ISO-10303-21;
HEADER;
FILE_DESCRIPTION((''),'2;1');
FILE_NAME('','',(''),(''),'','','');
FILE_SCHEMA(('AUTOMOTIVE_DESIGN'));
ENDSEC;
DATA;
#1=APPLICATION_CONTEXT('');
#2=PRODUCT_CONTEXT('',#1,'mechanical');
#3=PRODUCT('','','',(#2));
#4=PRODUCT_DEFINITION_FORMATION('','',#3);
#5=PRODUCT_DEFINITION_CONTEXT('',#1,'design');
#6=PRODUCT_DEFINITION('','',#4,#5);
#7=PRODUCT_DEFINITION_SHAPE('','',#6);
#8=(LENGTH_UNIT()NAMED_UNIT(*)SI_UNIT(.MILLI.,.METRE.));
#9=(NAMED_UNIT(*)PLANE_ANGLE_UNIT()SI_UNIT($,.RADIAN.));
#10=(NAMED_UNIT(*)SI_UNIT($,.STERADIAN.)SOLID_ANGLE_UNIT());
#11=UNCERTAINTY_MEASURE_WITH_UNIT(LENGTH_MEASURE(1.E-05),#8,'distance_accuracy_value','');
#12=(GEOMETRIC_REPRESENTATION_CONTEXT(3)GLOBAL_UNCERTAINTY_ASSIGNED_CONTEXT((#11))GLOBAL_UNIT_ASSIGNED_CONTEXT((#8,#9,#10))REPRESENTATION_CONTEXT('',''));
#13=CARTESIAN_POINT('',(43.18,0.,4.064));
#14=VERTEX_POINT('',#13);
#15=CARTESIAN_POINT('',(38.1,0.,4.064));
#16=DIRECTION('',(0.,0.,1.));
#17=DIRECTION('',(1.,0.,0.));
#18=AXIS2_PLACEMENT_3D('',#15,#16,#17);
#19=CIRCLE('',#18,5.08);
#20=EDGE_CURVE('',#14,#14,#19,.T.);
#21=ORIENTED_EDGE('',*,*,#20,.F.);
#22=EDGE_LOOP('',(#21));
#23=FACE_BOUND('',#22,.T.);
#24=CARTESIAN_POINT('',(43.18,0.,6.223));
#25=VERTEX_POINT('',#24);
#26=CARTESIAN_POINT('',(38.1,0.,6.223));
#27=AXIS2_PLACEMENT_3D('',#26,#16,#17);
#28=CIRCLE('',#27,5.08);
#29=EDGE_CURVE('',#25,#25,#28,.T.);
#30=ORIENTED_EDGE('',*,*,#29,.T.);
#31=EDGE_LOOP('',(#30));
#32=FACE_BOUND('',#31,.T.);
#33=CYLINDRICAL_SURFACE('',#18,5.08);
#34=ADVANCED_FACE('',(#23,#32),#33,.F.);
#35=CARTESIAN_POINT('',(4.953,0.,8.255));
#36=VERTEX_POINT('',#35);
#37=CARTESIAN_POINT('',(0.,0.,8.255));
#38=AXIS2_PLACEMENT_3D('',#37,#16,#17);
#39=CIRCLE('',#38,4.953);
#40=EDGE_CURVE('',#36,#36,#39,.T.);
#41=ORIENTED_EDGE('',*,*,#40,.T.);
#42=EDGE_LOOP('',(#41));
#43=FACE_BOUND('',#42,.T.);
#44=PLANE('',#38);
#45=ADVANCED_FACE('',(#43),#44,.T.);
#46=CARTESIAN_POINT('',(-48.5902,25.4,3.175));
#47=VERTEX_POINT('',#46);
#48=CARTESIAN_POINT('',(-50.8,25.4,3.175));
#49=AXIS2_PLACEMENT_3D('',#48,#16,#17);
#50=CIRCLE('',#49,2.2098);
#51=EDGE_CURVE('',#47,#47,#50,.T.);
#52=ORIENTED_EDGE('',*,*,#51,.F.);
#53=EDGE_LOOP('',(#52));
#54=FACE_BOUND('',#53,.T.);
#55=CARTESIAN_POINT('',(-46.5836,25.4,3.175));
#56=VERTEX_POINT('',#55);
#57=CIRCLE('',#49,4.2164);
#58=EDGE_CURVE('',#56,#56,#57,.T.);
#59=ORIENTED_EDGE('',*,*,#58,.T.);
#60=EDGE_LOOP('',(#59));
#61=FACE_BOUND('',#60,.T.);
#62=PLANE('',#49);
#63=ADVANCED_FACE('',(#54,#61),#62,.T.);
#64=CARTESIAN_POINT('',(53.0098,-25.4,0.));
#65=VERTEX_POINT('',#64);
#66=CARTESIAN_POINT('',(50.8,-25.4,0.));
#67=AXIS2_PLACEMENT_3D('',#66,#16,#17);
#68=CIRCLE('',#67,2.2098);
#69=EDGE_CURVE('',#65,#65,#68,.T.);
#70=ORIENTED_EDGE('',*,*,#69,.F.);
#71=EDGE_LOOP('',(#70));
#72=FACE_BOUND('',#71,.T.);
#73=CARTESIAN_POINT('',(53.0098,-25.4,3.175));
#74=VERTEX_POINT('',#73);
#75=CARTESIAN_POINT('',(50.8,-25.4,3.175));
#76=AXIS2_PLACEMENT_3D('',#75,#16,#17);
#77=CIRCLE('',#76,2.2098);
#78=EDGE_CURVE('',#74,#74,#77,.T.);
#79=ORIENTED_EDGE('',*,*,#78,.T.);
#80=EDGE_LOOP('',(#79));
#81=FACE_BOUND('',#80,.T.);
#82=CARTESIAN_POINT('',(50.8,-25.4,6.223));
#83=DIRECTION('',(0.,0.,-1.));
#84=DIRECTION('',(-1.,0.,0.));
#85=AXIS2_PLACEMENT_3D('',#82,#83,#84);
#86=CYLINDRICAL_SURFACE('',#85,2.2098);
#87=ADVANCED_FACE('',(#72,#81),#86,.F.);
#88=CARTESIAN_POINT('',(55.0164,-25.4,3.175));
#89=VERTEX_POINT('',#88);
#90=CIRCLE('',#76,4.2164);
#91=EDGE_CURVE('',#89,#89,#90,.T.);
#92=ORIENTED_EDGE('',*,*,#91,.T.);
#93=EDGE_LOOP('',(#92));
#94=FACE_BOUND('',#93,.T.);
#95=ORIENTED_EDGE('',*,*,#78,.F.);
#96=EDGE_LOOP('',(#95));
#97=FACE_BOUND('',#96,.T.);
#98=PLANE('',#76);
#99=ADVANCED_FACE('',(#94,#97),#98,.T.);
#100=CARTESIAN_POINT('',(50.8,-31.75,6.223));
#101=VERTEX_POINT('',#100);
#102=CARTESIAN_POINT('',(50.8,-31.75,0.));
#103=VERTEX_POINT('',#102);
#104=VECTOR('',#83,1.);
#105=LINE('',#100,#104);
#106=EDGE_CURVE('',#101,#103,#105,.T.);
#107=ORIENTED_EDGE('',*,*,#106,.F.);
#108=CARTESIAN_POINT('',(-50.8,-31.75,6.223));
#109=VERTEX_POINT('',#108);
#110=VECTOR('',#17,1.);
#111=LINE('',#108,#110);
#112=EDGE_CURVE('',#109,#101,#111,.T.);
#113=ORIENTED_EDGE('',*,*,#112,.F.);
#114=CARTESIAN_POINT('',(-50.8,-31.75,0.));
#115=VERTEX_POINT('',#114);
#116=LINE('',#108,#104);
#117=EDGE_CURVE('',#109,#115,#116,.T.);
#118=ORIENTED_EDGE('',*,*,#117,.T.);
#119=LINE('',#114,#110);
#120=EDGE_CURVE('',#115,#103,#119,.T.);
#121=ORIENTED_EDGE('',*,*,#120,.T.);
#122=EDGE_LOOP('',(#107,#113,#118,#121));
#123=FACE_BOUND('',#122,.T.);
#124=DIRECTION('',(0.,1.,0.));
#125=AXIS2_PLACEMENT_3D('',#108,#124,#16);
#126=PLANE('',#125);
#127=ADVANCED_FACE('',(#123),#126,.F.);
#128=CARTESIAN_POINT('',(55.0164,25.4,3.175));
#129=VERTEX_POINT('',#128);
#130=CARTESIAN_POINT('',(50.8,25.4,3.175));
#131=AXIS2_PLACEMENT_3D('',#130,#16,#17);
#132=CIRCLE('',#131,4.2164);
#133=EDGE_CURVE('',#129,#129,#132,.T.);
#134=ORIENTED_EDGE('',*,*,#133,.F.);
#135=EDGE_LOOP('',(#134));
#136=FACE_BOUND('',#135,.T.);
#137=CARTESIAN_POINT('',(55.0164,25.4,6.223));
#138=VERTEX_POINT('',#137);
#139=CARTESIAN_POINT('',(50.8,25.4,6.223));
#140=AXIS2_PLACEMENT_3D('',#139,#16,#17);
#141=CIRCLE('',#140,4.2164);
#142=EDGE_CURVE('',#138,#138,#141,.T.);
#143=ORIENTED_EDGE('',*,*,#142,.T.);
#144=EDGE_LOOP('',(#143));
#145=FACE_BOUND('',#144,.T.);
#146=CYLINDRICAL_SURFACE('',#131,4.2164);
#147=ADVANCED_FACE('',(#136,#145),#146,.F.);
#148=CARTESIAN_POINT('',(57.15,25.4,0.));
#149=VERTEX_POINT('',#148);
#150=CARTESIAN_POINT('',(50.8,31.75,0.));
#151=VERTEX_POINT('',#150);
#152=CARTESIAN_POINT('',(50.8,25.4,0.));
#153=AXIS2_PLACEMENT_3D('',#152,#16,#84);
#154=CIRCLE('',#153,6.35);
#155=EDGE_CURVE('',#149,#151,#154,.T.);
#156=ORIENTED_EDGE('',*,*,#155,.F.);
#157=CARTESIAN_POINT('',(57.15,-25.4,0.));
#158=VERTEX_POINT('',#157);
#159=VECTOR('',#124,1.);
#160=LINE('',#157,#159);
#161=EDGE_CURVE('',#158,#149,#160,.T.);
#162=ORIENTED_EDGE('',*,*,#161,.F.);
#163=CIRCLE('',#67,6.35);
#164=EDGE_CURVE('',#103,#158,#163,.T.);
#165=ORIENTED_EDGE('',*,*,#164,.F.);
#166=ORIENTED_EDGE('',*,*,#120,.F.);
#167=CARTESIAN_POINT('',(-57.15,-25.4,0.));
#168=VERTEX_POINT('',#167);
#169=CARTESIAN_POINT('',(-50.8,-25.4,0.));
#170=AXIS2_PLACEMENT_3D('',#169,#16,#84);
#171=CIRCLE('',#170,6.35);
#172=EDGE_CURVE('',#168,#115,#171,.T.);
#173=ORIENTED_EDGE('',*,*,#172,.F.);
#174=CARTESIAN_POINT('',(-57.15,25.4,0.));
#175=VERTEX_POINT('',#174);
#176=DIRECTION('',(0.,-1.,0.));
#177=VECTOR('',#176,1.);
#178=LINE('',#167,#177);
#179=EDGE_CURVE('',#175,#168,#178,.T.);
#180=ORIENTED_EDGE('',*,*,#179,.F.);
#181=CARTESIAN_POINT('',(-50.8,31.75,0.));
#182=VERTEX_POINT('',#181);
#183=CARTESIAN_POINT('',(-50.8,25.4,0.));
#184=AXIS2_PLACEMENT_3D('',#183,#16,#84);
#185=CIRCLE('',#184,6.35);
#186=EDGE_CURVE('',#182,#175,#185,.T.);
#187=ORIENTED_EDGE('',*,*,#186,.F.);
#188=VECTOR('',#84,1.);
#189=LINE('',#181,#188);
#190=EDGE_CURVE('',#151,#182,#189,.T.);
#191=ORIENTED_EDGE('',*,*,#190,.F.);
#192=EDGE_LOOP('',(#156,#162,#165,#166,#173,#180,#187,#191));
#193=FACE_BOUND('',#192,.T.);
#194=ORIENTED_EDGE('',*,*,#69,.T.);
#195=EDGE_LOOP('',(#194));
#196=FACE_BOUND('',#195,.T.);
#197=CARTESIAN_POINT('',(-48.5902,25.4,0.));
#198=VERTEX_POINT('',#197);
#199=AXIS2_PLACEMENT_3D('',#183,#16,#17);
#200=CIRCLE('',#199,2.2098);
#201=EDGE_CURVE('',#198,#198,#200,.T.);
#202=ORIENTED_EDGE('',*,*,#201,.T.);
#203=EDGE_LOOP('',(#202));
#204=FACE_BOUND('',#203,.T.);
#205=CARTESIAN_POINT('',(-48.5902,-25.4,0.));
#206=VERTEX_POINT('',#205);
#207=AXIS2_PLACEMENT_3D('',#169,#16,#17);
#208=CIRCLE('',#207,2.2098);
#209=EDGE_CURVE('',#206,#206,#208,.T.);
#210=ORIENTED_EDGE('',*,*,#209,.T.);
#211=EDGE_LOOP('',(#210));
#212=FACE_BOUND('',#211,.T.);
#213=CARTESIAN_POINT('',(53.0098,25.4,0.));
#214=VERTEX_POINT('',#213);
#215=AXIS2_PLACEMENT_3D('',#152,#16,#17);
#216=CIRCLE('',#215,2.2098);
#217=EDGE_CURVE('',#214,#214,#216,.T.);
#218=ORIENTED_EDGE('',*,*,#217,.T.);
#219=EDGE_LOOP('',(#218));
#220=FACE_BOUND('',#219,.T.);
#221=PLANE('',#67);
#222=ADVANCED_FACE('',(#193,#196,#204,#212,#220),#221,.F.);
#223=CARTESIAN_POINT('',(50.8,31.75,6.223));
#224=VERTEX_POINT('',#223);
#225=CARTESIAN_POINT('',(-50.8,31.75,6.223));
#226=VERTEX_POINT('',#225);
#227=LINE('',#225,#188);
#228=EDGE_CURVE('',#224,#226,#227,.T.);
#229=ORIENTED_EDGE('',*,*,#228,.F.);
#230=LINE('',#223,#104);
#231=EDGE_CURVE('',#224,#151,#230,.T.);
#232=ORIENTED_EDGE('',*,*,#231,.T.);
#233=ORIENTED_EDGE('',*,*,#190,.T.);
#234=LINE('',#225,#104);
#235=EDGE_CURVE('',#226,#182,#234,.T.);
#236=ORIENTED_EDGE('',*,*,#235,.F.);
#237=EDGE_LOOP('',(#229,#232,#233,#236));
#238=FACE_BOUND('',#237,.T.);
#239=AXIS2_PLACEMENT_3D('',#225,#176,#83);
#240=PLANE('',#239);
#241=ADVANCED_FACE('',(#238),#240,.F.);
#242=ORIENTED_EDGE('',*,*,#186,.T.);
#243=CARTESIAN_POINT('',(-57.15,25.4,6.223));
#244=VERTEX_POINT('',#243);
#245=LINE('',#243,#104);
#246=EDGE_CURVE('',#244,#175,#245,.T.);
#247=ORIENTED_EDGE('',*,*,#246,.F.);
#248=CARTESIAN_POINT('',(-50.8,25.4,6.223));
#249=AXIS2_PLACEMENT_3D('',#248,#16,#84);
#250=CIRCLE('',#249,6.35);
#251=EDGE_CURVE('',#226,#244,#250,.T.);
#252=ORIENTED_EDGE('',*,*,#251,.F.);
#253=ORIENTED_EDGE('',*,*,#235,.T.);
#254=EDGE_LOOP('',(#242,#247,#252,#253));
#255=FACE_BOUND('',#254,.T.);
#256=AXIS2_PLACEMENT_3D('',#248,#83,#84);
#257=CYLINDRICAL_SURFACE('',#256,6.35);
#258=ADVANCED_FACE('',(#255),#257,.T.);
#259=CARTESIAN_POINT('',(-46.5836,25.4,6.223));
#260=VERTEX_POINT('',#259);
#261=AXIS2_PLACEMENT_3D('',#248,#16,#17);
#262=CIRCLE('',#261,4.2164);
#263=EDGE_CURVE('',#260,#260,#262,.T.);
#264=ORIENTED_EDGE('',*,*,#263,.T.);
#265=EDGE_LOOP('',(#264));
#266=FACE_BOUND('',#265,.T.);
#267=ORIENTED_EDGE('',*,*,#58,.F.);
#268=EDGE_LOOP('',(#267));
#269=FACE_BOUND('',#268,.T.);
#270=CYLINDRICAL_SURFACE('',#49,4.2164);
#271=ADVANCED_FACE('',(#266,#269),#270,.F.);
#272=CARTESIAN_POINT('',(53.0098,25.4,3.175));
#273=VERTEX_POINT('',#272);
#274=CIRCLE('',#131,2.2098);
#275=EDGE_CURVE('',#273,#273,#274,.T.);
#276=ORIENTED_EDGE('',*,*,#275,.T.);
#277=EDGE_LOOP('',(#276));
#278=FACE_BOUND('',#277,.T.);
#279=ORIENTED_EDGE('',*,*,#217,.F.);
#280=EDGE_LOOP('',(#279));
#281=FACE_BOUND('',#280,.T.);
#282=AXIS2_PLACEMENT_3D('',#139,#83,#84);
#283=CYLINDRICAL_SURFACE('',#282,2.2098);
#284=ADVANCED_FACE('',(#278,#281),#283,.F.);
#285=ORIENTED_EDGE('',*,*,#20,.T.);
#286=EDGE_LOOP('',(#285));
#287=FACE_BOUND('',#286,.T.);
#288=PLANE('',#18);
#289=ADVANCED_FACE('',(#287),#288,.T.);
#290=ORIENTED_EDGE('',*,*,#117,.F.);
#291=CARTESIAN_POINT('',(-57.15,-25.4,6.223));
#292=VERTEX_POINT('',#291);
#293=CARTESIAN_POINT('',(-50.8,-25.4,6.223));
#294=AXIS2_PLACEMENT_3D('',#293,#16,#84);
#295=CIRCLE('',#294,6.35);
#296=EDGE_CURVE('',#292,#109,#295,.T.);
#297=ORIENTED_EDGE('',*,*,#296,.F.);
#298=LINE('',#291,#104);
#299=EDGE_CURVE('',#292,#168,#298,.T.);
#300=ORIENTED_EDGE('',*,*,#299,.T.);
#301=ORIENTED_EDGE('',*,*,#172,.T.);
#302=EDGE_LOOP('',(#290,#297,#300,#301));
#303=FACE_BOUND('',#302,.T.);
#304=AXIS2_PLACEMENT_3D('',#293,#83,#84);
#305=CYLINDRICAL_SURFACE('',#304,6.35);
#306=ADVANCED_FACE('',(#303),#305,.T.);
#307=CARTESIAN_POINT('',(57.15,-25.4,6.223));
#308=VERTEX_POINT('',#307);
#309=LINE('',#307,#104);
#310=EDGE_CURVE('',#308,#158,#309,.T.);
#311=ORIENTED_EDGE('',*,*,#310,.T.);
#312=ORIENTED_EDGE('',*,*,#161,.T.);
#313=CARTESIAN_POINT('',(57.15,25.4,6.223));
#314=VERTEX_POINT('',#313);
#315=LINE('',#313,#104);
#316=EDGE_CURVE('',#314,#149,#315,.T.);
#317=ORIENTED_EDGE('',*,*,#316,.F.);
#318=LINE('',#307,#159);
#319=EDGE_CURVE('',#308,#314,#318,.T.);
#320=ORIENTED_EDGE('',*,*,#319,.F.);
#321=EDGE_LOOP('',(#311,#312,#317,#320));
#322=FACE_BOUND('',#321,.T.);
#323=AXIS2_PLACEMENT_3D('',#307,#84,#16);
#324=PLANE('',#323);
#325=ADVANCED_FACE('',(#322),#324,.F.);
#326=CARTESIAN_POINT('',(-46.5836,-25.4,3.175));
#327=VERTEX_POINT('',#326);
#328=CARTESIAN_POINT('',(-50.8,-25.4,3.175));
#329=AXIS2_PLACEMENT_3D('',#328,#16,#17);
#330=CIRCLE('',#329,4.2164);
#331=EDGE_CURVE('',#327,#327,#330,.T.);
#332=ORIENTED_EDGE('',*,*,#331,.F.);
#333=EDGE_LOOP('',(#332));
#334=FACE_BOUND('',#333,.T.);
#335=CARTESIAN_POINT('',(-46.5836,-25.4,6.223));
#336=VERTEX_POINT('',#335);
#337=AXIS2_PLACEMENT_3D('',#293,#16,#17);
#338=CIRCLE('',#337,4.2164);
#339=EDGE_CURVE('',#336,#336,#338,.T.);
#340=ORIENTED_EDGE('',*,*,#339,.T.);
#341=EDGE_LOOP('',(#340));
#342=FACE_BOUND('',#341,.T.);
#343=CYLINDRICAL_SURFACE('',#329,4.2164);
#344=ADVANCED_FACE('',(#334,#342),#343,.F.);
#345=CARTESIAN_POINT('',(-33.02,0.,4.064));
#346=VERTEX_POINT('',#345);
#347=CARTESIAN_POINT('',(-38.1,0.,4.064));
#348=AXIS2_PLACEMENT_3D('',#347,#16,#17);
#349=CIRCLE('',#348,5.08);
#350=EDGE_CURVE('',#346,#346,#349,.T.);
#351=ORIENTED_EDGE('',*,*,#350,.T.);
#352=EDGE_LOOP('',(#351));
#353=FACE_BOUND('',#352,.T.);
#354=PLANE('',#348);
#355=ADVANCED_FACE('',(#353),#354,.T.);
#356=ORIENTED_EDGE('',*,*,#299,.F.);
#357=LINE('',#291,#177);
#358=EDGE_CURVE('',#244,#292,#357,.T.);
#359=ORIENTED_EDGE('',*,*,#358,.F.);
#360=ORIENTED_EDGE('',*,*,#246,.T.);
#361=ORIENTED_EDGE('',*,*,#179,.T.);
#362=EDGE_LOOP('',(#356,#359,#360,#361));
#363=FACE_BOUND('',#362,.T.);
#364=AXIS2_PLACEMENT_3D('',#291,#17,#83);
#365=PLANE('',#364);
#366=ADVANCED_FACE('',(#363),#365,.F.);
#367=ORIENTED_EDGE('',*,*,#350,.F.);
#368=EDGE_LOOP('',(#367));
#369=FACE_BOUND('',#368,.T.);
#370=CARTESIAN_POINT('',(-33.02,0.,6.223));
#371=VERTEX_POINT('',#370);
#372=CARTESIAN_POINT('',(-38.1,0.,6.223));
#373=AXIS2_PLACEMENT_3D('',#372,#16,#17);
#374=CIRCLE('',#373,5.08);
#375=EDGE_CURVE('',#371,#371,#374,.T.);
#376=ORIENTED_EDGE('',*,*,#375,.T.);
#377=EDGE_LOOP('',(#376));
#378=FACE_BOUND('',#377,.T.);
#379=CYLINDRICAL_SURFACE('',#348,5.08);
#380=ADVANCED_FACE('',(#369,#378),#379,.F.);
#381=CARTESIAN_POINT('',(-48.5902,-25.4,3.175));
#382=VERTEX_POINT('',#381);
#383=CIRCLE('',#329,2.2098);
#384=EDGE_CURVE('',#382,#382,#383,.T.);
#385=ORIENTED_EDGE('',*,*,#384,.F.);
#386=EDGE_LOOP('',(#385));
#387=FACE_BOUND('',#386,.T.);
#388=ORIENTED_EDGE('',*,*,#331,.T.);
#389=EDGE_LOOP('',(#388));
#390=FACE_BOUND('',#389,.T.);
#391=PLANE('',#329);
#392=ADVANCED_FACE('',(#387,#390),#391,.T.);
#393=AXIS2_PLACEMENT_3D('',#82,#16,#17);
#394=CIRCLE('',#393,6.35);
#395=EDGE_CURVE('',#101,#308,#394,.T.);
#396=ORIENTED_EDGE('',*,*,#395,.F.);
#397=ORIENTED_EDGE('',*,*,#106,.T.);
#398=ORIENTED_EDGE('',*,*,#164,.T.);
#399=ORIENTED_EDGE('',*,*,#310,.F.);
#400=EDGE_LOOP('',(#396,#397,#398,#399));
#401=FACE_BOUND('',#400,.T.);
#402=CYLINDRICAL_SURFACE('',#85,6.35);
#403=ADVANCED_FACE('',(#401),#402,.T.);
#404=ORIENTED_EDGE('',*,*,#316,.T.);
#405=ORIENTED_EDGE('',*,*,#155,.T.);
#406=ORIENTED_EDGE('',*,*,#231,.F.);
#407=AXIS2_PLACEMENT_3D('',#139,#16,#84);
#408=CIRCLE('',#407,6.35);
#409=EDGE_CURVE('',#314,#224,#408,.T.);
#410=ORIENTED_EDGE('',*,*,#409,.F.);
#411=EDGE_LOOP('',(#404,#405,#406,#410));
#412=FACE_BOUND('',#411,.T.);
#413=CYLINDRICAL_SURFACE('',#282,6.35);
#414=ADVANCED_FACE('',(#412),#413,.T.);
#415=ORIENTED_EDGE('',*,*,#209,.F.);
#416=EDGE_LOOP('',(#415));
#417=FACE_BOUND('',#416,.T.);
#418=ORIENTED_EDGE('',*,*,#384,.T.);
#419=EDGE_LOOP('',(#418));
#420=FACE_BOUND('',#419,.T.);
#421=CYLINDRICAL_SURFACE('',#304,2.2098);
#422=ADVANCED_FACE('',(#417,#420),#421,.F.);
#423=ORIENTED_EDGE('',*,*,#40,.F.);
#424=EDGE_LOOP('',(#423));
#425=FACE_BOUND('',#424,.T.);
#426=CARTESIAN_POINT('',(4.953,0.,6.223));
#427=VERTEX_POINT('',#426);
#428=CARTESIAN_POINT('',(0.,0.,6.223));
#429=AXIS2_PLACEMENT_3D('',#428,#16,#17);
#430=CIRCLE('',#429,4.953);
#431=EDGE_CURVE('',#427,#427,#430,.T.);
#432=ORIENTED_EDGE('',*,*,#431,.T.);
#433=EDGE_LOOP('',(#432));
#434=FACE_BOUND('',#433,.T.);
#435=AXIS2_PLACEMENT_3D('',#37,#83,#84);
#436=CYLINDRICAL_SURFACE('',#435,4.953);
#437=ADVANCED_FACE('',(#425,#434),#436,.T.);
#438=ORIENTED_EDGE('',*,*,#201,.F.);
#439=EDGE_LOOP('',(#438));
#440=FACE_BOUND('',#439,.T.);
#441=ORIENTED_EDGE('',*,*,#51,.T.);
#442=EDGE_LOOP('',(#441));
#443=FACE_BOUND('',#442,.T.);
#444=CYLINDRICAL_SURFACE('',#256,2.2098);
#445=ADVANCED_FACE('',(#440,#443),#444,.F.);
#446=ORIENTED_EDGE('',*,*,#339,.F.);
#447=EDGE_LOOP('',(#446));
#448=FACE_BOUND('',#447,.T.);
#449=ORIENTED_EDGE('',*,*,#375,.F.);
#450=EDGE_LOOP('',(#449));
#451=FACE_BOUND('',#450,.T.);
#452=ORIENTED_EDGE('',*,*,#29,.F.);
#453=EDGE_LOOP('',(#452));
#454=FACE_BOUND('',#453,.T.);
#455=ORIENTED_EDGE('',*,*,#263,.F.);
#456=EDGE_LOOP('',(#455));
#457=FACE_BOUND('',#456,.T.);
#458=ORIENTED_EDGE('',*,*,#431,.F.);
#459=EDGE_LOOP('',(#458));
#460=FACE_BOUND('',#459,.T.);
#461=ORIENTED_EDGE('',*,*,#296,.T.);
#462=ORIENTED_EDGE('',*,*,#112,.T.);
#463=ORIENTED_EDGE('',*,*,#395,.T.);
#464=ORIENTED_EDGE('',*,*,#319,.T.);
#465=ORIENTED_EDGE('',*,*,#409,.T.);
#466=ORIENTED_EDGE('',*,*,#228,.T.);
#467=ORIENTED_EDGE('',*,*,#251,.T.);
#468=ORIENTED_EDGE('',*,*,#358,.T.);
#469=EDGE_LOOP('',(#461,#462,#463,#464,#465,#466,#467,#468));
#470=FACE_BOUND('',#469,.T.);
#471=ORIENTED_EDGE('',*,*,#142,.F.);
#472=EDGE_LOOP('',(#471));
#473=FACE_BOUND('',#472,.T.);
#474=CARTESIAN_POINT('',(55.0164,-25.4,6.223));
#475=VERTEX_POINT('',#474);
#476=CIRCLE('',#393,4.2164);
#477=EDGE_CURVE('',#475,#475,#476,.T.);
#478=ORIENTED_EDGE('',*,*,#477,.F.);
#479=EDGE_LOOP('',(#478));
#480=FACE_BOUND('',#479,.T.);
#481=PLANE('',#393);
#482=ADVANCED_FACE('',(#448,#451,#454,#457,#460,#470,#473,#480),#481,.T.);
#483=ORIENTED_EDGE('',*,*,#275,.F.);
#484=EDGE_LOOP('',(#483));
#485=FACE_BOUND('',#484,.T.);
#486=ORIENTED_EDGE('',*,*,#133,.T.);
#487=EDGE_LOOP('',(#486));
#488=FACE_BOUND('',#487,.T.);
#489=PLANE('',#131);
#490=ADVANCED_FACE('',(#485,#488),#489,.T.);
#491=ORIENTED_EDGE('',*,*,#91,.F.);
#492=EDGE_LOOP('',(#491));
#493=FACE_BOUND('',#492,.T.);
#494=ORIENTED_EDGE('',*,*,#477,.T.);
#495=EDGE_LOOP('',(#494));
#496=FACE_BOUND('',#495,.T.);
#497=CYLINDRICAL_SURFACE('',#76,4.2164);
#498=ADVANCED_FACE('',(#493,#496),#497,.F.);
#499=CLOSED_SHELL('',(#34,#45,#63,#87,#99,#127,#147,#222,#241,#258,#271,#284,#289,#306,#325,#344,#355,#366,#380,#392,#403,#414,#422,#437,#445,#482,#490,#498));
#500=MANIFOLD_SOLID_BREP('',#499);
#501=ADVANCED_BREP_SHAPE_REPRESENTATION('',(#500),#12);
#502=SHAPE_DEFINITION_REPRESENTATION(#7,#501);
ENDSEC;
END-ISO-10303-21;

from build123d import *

# Parameters (mm, degrees)
SKETCH1_R           = 2.2098
BOSS_EXTRUDE1_DEPTH = 6.223
SKETCH2_R           = 4.2164
CUT_EXTRUDE1_DEPTH  = 3.048
SKETCH3_R           = 5.08
CUT_EXTRUDE2_DEPTH  = 2.159
SKETCH4_R           = 4.953
BOSS_EXTRUDE2_DEPTH = 2.032


with BuildPart() as part:
    # Sketch1 → Boss-Extrude1 (new body)
    with BuildSketch(Plane.XY):
        with BuildLine():
            Line((-50.8, -31.75), (50.8, -31.75))
            ThreePointArc((50.8, -31.75), (55.290128061, -29.890128061), (57.15, -25.4))
            Line((57.15, -25.4), (57.15, 25.4))
            ThreePointArc((57.15, 25.4), (55.290128061, 29.890128061), (50.8, 31.75))
            Line((50.8, 31.75), (-50.8, 31.75))
            ThreePointArc((-50.8, 31.75), (-55.290128061, 29.890128061), (-57.15, 25.4))
            Line((-57.15, 25.4), (-57.15, -25.4))
            ThreePointArc((-57.15, -25.4), (-55.290128061, -29.890128061), (-50.8, -31.75))
        make_face()
        with Locations((-50.8, -25.4)):
            Circle(SKETCH1_R, mode=Mode.SUBTRACT)
        with Locations((-50.8, 25.4)):
            Circle(SKETCH1_R, mode=Mode.SUBTRACT)
        with Locations((50.8, 25.4)):
            Circle(SKETCH1_R, mode=Mode.SUBTRACT)
        with Locations((50.8, -25.4)):
            Circle(SKETCH1_R, mode=Mode.SUBTRACT)
    extrude(amount=BOSS_EXTRUDE1_DEPTH)

    # Sketch2 → Cut-Extrude1 (cut)
    with BuildSketch(Plane.XY.offset(6.223)):
        with Locations((-50.8, 25.4)):
            Circle(SKETCH2_R)
        with Locations((50.8, 25.4)):
            Circle(SKETCH2_R)
        with Locations((50.8, -25.4)):
            Circle(SKETCH2_R)
        with Locations((-50.8, -25.4)):
            Circle(SKETCH2_R)
    extrude(amount=-CUT_EXTRUDE1_DEPTH, mode=Mode.SUBTRACT)

    # Sketch3 → Cut-Extrude2 (cut)
    with BuildSketch(Plane.XY.offset(6.223)):
        with Locations((38.1, 0)):
            Circle(SKETCH3_R)
        with Locations((-38.1, 0)):
            Circle(SKETCH3_R)
    extrude(amount=-CUT_EXTRUDE2_DEPTH, mode=Mode.SUBTRACT)

    # Sketch4 → Boss-Extrude2 (add)
    with BuildSketch(Plane.XY.offset(6.223)):
        Circle(SKETCH4_R)
    extrude(amount=BOSS_EXTRUDE2_DEPTH)


solid = part.part
